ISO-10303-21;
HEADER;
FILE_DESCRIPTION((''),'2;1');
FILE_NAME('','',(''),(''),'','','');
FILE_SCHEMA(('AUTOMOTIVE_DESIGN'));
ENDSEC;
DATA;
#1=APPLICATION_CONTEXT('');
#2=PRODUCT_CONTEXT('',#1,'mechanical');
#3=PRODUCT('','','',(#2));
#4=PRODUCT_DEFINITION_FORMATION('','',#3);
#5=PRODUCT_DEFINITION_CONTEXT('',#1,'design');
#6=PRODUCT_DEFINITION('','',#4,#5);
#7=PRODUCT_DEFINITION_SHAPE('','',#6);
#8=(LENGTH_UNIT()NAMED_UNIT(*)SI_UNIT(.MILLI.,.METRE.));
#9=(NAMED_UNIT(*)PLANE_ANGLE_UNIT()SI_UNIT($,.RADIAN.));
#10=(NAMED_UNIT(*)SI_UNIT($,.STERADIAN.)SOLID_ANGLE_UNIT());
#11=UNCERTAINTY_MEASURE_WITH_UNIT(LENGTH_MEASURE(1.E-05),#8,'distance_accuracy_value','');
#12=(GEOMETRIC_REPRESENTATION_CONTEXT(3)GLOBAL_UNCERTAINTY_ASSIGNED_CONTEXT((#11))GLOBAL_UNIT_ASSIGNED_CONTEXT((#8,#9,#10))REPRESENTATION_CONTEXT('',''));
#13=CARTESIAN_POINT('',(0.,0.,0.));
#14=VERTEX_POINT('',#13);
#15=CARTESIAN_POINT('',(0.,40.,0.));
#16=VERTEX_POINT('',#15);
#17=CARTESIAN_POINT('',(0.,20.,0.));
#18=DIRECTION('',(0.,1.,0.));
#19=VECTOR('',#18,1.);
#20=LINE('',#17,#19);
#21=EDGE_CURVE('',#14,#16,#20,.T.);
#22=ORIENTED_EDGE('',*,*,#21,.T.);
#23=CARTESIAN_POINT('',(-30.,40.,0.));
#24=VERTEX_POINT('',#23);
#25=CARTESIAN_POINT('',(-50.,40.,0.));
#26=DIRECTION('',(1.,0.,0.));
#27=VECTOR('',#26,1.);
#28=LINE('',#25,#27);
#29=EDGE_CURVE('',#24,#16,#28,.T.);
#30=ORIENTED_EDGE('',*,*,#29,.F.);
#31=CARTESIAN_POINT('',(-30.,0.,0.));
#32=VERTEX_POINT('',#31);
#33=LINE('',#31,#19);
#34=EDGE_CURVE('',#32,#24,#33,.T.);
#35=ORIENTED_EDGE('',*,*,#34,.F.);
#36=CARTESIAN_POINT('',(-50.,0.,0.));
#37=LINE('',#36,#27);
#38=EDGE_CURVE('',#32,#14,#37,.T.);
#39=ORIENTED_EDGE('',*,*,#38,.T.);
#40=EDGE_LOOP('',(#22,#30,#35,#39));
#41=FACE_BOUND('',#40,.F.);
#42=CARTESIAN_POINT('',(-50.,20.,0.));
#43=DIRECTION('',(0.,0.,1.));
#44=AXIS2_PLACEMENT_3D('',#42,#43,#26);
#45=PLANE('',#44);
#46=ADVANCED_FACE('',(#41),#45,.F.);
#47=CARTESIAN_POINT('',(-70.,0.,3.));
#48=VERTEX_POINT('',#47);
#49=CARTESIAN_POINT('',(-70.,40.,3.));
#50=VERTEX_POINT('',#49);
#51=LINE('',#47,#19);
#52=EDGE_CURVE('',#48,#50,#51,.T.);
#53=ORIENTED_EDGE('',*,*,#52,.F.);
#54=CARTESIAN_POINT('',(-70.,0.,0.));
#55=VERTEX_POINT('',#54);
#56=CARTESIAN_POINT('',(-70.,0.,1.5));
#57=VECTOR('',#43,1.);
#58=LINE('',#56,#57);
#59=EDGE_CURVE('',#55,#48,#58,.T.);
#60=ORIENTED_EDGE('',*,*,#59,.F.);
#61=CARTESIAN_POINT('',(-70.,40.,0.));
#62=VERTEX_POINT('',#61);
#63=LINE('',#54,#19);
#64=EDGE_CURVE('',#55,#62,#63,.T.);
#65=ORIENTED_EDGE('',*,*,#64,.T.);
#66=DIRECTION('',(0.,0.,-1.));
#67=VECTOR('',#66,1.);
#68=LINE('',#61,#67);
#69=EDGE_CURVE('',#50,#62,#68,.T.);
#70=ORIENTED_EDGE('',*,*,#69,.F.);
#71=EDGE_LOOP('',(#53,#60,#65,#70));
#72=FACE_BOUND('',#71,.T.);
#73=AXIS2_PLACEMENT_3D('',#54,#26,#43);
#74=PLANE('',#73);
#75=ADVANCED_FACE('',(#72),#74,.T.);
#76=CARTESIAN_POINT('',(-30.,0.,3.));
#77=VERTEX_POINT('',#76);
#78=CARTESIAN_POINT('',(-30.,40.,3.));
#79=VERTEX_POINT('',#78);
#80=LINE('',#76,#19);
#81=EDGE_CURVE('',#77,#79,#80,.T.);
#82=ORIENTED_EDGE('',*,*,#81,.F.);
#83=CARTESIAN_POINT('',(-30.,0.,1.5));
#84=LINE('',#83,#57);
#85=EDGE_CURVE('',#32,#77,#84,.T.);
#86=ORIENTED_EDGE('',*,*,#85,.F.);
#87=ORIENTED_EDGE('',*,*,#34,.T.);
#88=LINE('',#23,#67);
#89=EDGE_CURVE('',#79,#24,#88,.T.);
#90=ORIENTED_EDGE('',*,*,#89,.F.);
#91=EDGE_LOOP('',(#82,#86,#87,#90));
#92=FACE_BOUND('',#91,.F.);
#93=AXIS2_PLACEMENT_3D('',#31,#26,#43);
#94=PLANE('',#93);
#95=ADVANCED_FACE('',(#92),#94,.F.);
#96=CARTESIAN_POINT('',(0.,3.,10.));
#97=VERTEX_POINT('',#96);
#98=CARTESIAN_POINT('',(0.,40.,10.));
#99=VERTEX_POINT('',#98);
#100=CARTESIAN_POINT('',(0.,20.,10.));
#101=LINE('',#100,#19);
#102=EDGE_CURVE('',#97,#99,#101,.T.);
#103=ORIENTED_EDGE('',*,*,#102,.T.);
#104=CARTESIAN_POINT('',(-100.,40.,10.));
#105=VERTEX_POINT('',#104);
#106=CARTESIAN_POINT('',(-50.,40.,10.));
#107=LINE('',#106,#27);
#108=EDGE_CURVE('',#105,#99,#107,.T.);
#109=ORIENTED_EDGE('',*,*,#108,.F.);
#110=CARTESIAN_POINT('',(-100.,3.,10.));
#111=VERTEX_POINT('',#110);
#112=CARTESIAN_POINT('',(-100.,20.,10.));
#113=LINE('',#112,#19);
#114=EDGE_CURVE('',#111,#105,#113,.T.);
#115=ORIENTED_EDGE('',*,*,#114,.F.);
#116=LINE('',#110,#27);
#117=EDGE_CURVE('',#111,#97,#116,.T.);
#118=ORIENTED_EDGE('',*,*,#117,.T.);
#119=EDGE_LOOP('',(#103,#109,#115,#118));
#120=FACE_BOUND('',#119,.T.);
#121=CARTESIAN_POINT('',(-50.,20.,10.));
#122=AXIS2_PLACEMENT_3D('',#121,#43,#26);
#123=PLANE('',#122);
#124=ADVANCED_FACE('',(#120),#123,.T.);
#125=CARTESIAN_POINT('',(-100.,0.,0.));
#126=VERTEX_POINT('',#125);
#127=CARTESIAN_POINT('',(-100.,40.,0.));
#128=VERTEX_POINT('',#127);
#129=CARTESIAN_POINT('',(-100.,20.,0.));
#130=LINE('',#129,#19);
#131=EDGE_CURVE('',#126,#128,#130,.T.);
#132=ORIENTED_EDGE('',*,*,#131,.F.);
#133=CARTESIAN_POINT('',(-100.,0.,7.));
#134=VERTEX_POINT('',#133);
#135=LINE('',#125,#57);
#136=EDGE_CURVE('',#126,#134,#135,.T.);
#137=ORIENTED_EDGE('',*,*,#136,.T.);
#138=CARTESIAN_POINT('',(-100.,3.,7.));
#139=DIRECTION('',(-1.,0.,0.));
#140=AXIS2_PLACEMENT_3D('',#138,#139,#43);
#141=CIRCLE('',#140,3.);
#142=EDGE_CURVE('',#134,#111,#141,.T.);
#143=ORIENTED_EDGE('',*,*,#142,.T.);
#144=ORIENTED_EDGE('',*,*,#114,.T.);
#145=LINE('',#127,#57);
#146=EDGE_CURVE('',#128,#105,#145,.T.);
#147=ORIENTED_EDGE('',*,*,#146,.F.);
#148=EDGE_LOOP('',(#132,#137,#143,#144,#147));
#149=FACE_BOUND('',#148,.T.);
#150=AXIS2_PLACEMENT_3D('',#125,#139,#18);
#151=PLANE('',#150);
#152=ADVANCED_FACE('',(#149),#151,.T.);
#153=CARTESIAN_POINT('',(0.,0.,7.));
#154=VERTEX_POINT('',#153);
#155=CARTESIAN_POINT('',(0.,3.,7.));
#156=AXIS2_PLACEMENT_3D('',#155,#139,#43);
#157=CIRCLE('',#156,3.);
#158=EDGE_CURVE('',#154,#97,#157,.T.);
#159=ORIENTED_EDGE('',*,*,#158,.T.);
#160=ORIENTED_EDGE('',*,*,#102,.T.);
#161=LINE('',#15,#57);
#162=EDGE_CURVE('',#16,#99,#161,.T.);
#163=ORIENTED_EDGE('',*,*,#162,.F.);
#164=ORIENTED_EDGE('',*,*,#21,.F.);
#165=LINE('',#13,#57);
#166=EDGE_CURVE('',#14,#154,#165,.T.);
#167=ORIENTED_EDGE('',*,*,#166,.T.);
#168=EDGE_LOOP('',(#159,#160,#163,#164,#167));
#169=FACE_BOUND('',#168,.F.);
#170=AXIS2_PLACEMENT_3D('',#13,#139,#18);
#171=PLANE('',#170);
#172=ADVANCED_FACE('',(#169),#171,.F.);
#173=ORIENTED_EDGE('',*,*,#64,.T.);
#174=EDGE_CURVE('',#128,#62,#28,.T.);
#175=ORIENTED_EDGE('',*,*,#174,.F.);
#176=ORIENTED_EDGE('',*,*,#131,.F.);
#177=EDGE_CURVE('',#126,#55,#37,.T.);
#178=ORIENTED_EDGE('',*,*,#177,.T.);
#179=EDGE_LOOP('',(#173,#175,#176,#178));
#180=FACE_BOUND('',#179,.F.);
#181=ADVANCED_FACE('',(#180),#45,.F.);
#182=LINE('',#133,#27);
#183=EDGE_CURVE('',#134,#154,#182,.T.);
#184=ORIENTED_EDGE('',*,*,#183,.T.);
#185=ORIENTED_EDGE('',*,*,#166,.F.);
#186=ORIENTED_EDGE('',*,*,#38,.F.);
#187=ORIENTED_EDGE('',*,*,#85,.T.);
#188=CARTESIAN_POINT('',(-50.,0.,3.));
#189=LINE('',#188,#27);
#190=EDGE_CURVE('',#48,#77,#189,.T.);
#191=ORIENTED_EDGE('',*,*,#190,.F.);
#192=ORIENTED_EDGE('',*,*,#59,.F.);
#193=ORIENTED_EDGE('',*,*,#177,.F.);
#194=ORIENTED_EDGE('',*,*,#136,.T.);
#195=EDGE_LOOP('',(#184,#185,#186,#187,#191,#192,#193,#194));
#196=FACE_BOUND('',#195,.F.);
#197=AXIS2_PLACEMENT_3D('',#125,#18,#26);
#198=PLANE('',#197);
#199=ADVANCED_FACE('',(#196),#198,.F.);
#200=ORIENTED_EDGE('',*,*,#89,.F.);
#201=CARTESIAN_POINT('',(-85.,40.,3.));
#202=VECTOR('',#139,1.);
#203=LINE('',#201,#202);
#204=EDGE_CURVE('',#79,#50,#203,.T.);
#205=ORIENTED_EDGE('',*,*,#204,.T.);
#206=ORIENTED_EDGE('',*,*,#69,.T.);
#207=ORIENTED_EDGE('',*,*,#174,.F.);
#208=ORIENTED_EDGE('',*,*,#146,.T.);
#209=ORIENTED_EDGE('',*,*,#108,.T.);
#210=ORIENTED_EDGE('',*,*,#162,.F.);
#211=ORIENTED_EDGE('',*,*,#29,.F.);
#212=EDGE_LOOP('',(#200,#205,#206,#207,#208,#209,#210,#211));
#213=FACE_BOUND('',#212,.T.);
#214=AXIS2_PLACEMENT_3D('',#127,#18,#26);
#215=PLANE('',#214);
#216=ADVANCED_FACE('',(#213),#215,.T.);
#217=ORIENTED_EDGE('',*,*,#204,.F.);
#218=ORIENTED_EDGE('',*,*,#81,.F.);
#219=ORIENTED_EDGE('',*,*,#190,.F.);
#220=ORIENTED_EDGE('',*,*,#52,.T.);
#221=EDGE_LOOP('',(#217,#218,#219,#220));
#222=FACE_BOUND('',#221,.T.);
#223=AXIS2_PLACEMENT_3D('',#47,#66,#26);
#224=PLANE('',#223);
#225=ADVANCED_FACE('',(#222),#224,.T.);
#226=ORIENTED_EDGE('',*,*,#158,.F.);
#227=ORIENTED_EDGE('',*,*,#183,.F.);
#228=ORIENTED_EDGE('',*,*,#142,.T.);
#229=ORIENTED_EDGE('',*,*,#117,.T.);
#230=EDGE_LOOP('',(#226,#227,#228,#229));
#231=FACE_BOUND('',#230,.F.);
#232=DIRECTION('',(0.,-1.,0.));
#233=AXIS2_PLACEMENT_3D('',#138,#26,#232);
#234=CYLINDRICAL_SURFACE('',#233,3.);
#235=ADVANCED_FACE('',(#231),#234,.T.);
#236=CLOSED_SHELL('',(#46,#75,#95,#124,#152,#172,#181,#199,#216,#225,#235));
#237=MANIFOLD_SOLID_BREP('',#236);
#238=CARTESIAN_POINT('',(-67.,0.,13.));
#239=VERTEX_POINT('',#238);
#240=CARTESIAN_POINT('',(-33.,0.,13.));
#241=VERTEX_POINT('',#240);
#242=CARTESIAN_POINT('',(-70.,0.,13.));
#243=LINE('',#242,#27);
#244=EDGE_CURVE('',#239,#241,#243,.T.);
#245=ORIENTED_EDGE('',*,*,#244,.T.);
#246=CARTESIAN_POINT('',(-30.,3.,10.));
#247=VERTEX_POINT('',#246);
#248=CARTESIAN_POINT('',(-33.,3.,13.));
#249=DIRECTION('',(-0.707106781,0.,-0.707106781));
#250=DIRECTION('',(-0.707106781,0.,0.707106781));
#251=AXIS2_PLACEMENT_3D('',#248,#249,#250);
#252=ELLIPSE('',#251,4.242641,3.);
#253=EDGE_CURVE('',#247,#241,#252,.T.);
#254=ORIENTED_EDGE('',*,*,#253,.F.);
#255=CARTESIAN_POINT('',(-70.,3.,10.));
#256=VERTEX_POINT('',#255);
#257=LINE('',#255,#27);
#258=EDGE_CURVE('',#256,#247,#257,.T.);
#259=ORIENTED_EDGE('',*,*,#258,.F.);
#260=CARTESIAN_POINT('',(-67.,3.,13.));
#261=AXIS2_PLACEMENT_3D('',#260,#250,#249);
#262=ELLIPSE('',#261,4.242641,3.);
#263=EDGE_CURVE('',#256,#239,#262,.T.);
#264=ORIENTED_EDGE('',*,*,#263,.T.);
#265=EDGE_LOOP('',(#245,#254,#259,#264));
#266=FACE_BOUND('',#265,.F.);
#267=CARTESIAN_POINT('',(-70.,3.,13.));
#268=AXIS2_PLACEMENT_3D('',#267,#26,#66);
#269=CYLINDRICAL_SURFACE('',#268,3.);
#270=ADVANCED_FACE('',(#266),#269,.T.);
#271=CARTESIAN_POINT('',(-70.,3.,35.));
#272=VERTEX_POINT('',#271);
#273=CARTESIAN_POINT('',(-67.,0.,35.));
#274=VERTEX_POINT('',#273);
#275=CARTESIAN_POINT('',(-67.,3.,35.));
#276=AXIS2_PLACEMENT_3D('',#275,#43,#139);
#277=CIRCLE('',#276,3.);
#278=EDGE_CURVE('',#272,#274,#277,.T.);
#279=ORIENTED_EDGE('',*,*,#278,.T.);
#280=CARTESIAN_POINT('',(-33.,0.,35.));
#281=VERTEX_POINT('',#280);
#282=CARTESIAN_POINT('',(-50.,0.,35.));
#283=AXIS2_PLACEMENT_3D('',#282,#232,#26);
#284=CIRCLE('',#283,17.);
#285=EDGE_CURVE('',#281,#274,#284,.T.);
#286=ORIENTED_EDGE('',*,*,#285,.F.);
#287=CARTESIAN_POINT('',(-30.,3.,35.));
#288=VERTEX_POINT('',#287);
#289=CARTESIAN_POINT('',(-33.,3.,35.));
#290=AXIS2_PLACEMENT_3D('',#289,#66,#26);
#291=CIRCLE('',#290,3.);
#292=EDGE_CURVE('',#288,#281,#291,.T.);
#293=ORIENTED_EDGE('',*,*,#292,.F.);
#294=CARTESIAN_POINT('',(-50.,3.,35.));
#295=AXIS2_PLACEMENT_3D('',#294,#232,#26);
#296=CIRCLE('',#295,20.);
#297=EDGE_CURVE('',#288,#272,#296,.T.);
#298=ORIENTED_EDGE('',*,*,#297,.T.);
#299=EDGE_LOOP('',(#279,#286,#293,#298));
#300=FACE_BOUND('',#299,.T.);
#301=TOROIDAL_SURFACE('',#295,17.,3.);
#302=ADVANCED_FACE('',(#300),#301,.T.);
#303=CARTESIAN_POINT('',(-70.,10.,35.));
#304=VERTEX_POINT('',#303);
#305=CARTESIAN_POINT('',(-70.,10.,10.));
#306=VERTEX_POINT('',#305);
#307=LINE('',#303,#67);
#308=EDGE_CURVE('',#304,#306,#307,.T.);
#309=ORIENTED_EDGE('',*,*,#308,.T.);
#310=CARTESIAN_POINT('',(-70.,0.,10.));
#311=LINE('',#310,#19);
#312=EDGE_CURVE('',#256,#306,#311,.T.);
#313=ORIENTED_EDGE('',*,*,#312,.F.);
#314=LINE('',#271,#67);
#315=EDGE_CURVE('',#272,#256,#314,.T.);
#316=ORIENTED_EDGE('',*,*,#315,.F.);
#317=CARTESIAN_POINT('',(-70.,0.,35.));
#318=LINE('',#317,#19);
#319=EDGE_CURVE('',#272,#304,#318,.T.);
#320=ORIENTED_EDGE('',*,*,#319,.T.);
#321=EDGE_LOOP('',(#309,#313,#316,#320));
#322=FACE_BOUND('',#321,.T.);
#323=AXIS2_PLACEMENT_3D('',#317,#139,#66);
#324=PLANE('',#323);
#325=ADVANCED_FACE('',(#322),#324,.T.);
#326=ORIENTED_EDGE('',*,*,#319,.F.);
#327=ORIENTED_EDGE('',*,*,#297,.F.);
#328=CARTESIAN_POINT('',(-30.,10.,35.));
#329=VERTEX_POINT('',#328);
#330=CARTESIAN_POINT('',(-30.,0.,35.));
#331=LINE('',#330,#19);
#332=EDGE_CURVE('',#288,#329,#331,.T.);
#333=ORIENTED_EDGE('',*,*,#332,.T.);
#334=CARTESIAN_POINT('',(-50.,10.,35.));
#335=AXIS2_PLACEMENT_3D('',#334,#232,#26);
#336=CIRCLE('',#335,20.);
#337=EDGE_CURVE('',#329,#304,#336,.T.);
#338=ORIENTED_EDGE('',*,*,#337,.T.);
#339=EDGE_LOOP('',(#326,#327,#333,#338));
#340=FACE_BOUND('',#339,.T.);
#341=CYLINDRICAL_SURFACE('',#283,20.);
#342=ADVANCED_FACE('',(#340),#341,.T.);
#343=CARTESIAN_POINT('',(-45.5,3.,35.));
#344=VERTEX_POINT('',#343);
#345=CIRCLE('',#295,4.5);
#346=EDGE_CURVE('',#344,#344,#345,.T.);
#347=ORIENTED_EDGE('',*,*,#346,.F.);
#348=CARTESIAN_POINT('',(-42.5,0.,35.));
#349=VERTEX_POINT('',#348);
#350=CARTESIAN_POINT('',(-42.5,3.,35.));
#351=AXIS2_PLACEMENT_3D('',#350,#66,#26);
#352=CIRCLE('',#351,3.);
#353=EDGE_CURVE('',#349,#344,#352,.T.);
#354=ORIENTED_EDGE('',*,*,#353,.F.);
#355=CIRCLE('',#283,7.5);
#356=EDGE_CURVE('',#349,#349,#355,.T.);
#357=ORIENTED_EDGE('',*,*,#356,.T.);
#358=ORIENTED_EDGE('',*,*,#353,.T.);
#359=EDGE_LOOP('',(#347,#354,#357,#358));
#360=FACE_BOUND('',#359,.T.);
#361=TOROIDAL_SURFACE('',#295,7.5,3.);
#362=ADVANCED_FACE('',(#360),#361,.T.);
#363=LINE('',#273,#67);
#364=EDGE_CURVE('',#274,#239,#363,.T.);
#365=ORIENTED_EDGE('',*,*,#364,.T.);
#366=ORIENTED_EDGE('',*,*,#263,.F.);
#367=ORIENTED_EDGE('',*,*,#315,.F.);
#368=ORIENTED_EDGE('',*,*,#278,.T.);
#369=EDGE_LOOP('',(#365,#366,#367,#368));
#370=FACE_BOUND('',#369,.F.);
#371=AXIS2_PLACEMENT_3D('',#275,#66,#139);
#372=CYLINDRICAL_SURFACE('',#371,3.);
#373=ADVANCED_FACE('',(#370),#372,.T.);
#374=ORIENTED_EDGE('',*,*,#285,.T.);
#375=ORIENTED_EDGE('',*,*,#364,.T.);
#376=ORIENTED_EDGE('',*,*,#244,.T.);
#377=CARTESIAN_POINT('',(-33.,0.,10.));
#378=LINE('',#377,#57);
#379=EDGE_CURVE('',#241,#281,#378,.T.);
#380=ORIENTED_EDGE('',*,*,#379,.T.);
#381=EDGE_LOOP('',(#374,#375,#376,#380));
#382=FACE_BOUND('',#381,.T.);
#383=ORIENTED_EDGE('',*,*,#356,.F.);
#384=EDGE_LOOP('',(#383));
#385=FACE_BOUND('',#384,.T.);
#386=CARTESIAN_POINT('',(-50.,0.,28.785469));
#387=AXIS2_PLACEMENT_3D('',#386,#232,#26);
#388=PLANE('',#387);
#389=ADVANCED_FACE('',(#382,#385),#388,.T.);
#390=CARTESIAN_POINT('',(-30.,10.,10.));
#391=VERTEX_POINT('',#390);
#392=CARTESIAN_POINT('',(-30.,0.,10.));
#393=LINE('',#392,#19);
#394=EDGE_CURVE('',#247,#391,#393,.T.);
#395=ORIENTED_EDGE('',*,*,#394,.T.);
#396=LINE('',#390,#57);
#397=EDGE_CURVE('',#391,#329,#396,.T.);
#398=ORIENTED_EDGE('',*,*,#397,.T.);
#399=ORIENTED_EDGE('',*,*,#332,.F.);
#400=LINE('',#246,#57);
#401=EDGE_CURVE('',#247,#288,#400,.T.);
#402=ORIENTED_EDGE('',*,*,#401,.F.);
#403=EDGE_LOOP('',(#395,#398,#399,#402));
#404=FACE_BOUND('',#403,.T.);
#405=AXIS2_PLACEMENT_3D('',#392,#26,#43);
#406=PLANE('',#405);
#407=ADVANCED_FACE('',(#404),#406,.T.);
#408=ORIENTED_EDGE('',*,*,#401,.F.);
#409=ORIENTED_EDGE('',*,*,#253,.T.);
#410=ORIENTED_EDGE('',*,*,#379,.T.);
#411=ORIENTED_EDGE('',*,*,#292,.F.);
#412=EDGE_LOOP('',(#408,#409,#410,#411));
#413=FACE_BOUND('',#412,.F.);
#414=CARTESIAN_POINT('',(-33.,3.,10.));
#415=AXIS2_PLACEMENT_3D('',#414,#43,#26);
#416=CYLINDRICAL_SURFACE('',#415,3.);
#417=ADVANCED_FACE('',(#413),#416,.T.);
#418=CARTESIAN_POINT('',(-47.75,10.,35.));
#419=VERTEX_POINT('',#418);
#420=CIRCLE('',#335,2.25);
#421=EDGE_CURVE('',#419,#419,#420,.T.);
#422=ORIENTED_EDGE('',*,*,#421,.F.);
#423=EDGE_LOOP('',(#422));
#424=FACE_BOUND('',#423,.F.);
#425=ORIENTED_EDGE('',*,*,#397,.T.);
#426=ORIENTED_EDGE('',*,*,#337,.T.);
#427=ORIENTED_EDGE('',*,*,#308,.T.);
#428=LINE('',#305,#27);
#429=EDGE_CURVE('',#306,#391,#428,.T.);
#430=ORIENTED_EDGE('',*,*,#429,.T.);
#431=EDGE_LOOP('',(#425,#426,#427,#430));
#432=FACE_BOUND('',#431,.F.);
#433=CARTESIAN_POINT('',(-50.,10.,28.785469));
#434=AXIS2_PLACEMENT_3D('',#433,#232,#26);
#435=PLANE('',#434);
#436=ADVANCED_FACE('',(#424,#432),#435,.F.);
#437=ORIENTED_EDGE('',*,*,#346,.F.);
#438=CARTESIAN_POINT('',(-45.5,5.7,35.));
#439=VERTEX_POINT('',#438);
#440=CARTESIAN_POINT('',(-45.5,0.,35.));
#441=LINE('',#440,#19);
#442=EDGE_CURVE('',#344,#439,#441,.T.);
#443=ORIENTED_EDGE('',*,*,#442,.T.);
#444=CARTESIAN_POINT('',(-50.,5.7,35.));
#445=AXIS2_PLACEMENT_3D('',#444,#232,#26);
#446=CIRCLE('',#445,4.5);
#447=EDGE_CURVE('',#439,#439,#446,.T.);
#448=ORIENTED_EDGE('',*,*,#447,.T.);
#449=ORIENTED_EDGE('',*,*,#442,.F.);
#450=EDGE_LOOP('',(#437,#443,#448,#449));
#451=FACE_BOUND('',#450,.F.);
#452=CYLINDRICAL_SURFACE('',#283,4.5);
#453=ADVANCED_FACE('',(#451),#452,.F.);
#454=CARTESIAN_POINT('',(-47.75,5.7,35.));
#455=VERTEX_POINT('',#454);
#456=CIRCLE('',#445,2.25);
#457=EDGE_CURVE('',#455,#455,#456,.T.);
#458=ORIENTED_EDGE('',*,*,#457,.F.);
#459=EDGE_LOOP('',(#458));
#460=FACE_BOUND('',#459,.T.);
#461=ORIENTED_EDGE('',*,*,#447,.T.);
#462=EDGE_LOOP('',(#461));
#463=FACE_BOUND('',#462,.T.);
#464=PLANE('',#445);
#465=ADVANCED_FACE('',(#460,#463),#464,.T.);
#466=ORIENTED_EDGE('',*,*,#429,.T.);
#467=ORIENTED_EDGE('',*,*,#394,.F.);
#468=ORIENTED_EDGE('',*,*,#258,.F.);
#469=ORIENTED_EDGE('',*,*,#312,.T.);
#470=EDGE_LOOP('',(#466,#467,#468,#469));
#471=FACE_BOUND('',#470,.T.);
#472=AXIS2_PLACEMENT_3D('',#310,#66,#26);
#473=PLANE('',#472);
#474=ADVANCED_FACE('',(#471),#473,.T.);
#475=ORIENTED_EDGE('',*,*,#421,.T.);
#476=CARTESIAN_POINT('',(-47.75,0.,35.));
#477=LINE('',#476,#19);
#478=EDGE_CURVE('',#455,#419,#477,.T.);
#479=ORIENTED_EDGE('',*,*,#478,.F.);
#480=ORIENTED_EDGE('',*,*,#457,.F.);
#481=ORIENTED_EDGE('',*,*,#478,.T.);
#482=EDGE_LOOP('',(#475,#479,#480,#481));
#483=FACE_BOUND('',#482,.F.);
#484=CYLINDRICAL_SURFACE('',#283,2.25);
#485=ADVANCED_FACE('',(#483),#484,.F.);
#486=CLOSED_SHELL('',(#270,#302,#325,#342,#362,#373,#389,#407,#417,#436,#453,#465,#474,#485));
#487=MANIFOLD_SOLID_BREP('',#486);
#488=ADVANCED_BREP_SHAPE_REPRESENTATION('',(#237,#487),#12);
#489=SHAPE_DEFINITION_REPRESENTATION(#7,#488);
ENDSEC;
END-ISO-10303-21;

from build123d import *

# Parameters (mm, degrees)
F0_W     = 100
F0_H     = 40
F1_DEPTH = 10
F3_DEPTH = 10
F4_W     = 40
F4_H     = 3
F5_DEPTH = 40.001
F6_R     = 2.25
F7_DEPTH = 40.001
F8_R     = 4.5
F9_DEPTH = 5.7
F10_R    = 3
F11_R    = 3


with BuildPart() as f1:
    # F0 (on Top) → F1 (new body)
    with BuildSketch(Plane.XY):
        with Locations((-50, 20)):
            Rectangle(F0_W, F0_H)
    extrude(amount=F1_DEPTH)

    # F4 (on face) → F5 (cut, through all)
    with BuildSketch(Plane.XZ):
        with Locations((-50, 1.5)):
            Rectangle(F4_W, F4_H)
    extrude(amount=-F5_DEPTH, mode=Mode.SUBTRACT)

    # F11
    f11_edges = [f1.edges().sort_by_distance(p)[0] for p in [
        (-50, 0, 10),
    ]]
    fillet(f11_edges, radius=F11_R)


with BuildPart() as f3:
    # F2 (on face) → F3 (new body)
    with BuildSketch(Plane.XZ):
        with BuildLine():
            Line((-70, 35), (-70, 10))
            Line((-70, 10), (-30, 10))
            Line((-30, 10), (-30, 35))
            ThreePointArc((-30, 35), (-50, 55), (-70, 35))
        make_face()
    extrude(amount=-F3_DEPTH)

    # F6 (on face) → F7 (cut, through all)
    with BuildSketch(Plane.XZ):
        with Locations((-50, 35)):
            Circle(F6_R)
    extrude(amount=-F7_DEPTH, mode=Mode.SUBTRACT)

    # F8 (on face) → F9 (cut)
    with BuildSketch(Plane.XZ):
        with Locations((-50, 35)):
            Circle(F8_R)
    extrude(amount=-F9_DEPTH, mode=Mode.SUBTRACT)

    # F10
    f10_edges = [f3.edges().sort_by_distance(p)[0] for p in [
        (-70, 0, 22.5),
        (-50, 0, 55),
        (-50, 0, 10),
        (-30, 0, 22.5),
        (-54.5, 0, 35),
    ]]
    fillet(f10_edges, radius=F10_R)


solid = Compound([f1.part, f3.part])
